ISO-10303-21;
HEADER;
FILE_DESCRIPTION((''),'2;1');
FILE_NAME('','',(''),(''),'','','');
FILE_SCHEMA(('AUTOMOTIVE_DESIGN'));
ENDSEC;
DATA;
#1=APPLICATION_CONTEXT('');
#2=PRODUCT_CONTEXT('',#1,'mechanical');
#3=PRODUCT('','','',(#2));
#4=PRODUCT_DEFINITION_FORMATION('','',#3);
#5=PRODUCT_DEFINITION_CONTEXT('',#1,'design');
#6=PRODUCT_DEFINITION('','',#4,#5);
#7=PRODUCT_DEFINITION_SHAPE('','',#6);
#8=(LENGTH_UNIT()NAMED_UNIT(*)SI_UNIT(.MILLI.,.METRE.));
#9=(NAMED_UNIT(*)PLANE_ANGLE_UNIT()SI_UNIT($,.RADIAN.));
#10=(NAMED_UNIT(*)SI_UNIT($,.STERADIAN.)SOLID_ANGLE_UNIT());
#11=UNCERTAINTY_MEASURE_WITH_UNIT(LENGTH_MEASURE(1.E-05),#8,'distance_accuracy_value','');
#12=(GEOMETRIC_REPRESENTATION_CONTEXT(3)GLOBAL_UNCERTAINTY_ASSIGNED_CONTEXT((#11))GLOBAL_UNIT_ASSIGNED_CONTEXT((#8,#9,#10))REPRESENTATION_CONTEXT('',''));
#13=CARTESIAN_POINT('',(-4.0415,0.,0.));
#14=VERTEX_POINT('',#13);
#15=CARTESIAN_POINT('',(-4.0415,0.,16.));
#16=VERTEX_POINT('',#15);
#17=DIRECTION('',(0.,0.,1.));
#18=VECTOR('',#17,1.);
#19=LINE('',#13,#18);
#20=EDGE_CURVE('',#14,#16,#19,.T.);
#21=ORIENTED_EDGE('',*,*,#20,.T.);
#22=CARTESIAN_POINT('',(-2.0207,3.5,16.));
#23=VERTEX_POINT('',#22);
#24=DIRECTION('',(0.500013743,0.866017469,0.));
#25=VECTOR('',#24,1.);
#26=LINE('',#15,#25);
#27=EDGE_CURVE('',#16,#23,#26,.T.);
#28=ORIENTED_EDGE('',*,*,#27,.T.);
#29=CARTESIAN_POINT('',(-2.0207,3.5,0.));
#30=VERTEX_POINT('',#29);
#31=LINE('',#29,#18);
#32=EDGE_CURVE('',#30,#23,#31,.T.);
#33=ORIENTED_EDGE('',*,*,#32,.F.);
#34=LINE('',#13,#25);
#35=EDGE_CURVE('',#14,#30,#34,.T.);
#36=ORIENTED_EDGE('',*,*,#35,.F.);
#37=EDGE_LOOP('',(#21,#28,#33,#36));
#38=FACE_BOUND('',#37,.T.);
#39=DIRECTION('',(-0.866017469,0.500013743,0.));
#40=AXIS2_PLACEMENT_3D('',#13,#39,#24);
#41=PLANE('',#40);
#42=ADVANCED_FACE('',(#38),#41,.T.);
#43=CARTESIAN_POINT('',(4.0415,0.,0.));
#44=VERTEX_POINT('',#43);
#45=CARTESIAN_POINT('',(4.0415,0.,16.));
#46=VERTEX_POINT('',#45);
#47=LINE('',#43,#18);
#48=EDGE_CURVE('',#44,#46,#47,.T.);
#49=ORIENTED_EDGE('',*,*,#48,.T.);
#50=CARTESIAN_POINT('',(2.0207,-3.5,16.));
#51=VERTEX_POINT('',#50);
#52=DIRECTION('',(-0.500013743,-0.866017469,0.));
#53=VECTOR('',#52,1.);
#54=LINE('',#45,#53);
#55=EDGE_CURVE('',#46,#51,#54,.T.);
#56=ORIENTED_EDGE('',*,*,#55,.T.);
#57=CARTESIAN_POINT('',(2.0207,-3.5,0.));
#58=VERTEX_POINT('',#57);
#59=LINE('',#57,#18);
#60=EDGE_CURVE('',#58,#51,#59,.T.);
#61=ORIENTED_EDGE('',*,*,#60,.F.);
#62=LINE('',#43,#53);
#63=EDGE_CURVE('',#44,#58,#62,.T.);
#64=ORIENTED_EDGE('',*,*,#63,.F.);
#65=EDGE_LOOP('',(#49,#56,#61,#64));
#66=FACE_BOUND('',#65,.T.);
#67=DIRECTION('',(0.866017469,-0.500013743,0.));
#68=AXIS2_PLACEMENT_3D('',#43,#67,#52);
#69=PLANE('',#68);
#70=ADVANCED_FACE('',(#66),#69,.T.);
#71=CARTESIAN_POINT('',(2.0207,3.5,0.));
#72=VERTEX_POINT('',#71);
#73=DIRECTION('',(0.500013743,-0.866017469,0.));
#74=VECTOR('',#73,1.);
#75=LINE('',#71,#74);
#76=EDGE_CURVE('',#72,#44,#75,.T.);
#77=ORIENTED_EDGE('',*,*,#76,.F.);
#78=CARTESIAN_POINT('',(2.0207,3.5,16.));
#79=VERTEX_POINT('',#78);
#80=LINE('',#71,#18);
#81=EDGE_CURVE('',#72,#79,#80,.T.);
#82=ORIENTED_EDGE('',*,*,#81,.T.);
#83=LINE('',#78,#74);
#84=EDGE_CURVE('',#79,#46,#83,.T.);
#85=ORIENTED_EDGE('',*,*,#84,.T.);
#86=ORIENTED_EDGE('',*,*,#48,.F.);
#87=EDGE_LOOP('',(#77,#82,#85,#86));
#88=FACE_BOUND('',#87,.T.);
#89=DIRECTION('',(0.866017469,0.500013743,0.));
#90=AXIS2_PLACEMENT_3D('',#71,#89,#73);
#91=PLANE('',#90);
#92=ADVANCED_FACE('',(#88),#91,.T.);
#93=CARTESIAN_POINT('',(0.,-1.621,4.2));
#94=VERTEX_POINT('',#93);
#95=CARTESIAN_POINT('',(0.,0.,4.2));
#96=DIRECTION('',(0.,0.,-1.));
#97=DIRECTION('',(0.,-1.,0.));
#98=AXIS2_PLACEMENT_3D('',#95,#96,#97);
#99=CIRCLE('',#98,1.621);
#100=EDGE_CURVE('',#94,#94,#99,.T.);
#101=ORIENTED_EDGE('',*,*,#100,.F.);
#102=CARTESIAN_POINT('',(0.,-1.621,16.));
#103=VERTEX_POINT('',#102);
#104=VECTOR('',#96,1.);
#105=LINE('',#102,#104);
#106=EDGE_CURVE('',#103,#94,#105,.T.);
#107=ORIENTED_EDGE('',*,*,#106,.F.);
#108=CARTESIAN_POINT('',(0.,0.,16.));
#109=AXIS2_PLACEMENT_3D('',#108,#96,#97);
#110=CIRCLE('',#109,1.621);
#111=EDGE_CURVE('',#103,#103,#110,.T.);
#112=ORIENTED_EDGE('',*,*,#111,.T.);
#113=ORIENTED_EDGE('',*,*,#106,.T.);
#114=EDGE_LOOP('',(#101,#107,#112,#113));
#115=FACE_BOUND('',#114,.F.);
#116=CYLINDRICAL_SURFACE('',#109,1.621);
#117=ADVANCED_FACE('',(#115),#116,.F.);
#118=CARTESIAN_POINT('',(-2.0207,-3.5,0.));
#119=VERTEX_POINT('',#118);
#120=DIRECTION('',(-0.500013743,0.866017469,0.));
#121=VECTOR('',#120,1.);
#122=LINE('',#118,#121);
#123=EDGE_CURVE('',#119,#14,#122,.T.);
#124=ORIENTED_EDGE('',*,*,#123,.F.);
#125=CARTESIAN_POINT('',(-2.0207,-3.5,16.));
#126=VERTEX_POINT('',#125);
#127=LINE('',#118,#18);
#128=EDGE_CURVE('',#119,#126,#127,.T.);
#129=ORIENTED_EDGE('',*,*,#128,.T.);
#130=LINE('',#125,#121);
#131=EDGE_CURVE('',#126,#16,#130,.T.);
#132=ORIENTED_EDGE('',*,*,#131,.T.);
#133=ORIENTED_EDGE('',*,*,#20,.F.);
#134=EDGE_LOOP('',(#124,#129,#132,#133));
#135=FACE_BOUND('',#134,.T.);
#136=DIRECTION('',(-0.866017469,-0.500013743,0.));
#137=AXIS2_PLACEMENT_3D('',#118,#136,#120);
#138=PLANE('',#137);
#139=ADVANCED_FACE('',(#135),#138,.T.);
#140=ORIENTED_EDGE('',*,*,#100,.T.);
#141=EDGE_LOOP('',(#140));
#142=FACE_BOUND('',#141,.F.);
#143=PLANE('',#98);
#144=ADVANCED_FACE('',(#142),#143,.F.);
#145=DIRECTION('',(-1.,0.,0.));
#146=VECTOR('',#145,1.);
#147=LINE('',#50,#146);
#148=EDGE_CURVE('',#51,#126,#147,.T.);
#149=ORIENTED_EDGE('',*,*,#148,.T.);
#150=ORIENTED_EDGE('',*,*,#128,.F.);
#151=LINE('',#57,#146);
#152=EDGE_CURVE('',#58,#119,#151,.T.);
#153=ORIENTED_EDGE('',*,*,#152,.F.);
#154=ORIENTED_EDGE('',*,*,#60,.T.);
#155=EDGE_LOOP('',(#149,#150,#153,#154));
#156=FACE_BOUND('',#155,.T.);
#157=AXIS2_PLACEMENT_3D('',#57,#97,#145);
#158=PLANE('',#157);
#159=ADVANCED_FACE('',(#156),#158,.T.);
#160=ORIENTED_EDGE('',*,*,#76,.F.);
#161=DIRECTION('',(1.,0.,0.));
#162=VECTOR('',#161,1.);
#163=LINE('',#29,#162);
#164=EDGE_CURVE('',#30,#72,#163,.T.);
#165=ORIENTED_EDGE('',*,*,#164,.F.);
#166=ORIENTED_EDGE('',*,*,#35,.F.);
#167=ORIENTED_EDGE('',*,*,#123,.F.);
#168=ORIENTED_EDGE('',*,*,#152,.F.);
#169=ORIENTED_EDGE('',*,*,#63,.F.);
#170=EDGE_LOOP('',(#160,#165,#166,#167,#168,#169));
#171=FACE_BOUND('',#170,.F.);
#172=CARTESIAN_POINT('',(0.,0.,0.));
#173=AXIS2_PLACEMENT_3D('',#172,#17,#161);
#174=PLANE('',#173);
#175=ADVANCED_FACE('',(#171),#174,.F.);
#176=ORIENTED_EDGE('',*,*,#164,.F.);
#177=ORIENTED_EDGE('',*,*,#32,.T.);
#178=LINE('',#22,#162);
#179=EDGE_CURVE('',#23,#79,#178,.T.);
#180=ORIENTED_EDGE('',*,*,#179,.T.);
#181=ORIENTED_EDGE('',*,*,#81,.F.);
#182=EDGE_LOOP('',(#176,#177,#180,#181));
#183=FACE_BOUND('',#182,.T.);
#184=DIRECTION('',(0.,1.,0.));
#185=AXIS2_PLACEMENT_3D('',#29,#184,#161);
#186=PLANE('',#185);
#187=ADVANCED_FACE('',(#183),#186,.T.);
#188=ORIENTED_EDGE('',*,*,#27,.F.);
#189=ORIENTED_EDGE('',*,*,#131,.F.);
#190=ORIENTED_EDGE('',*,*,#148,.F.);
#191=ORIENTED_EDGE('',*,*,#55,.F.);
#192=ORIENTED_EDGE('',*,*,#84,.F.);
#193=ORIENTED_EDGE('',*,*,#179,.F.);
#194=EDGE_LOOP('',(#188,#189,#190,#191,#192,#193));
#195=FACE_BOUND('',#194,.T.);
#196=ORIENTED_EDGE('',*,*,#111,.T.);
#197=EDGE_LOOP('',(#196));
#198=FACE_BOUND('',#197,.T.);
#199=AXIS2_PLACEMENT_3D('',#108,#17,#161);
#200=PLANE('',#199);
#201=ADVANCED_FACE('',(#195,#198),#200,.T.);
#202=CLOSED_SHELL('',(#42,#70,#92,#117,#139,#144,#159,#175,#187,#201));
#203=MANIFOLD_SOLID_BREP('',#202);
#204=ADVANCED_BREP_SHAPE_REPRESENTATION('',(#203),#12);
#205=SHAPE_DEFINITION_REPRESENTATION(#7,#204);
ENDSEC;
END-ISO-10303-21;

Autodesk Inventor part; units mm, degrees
ref_plane "YZ Plane" through (0, 0, 0) normal (1, 0, 0) x (0, 1, 0)
ref_plane "XZ Plane" through (0, 0, 0) normal (0, 1, 0) x (-1, 0, 0)
ref_plane "XY Plane" through (0, 0, 0) normal (0, 0, 1) x (1, 0, 0)
sketch "Sketch1" plane through (0, 0, 0) normal (0, 0, 1) x (1, 0, 0)
  line L0 (4.0415, 0) -> (2.0207, -3.5)
  line L1 (2.0207, -3.5) -> (-2.0207, -3.5)
  line L2 (-2.0207, -3.5) -> (-4.0415, 0)
  line L3 (-4.0415, 0) -> (-2.0207, 3.5)
  line L4 (-2.0207, 3.5) -> (2.0207, 3.5)
  line L5 (2.0207, 3.5) -> (4.0415, 0)
  point P0 (0, 0)
  point P1 (0, 0)
  dimension "d0" = 7
extrude "Extrusion1" add sketch "Sketch1" along normal blind 16
sketch "Sketch2" plane through (0, 0, 16) normal (0, 0, 1) x (1, 0, 0)
  point P0 (0, 0)
  point P1 (0, 0)
hole "Hole1" at (0, 0, 16) direction (0, 0, -1) diameter 3.242 depth 11.8 thread size "M4x0.7" class "6H" standard "ISO Metric profile"
properties part number "magneet stand-offs16 mm"
